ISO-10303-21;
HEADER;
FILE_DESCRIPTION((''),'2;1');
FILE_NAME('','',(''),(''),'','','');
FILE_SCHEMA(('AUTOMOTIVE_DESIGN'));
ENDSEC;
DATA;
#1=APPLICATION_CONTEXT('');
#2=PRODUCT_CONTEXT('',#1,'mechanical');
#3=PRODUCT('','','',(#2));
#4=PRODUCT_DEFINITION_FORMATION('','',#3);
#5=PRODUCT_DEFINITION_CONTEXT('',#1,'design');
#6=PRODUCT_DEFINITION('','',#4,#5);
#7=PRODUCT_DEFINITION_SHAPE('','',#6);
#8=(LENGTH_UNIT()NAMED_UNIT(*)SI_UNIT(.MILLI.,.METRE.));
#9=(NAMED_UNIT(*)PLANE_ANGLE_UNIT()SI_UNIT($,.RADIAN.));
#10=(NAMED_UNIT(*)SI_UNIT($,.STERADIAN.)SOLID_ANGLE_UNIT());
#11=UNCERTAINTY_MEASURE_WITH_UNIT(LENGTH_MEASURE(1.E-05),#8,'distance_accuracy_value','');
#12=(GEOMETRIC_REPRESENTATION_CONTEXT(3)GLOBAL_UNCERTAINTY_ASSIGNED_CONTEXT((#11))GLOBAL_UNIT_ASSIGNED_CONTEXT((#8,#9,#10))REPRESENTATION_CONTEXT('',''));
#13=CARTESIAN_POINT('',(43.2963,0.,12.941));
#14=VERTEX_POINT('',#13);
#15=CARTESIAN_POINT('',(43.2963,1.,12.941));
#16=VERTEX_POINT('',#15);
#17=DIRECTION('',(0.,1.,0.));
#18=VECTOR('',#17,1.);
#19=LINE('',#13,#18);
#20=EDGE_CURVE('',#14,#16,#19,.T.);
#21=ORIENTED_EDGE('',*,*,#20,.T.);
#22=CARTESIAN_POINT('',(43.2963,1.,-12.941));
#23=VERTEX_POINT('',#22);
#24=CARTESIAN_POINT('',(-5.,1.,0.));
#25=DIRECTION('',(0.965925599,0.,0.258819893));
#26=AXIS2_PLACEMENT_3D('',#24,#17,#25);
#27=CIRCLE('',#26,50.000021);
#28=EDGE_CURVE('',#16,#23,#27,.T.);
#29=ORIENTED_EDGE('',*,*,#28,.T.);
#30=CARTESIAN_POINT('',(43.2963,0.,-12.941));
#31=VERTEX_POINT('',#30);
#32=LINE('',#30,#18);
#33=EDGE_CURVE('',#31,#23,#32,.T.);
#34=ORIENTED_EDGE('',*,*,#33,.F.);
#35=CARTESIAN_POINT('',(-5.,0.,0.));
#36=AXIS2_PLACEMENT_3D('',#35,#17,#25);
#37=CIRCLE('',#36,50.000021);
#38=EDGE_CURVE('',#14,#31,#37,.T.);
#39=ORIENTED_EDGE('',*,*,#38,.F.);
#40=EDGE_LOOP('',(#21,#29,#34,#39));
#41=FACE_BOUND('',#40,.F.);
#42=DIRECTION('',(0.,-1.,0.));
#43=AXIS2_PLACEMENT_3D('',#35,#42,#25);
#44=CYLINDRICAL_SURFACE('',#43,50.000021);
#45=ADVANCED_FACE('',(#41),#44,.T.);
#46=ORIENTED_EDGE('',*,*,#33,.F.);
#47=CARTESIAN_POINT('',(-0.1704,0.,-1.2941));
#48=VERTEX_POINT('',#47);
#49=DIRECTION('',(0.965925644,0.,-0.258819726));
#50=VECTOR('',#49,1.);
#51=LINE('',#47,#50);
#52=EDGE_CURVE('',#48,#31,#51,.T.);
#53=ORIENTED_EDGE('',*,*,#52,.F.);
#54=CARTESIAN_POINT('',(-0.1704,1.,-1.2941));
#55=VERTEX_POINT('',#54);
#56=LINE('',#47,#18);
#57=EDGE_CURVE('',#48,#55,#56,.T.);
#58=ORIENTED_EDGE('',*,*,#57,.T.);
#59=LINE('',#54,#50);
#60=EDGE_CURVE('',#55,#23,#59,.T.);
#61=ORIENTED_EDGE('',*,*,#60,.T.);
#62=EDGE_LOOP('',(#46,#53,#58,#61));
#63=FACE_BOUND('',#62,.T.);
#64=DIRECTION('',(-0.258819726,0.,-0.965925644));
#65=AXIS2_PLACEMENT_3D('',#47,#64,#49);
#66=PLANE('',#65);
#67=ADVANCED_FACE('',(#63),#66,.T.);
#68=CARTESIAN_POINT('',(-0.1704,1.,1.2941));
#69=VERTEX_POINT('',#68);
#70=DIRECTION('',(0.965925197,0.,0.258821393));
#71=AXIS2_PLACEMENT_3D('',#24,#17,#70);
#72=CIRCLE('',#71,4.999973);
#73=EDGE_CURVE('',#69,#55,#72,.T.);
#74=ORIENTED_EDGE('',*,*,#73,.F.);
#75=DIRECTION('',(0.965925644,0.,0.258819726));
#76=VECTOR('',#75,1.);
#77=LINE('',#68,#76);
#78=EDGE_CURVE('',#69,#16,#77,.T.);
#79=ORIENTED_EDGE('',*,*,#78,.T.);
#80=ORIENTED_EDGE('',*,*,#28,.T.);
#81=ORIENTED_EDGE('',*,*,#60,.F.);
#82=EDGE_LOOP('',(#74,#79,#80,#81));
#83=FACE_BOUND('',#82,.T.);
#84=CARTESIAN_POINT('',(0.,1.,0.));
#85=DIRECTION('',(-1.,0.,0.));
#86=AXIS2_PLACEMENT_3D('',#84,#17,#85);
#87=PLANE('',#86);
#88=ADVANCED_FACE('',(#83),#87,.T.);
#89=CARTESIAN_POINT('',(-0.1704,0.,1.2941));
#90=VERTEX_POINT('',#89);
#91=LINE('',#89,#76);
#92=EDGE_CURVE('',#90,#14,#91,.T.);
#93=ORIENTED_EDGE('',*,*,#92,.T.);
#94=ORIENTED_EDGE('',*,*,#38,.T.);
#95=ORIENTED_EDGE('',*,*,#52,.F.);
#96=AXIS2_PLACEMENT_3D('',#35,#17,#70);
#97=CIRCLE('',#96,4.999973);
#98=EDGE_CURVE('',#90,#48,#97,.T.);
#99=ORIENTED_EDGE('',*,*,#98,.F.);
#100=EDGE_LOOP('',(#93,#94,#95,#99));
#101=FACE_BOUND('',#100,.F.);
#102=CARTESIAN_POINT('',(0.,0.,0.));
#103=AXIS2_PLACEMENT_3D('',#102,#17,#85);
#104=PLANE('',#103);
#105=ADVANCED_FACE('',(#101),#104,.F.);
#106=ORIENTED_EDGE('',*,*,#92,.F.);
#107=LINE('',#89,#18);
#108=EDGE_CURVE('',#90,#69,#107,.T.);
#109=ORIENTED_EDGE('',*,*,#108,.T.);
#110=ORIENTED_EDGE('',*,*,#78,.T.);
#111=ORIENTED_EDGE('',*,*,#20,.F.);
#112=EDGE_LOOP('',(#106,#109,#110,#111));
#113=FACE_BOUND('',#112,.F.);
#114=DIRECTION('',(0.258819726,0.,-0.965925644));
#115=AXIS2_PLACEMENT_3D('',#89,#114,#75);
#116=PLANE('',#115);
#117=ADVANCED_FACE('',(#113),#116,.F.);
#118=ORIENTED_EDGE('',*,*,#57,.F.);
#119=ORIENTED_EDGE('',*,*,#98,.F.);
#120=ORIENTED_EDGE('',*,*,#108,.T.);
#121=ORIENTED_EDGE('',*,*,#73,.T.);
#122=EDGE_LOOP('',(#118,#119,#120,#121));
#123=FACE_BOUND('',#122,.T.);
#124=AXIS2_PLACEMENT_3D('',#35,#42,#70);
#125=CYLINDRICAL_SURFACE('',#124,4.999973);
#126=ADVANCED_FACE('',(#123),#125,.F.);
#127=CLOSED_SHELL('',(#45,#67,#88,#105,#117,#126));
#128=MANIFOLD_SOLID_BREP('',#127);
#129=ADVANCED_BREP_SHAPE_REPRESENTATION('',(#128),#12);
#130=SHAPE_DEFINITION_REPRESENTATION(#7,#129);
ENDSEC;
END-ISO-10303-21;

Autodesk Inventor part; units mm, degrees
ref_plane "YZ Plane" through (0, 0, 0) normal (1, 0, 0) x (0, 1, 0)
ref_plane "XZ Plane" through (0, 0, 0) normal (0, 1, 0) x (-1, 0, 0)
ref_plane "XY Plane" through (0, 0, 0) normal (0, 0, 1) x (1, 0, 0)
sketch "Sketch3" plane through (0, 0, 0) normal (0, 1, 0) x (-1, 0, 0)
  arc A0 (0.1704, 1.2941) -> (0.1704, -1.2941) centre (5, 0) ccw
  arc A1 (-43.2963, 12.941) -> (-43.2963, -12.941) centre (5, 0) ccw
  line L0 (0.1704, -1.2941) -> (-43.2963, -12.941)
  line L1 (0.1704, 1.2941) -> (-43.2963, 12.941)
  point P0 (0, 0)
  point P1 (0, 0)
  dimension "d6" = 5
  dimension "d7" = 50
  dimension "d8" = 0
  dimension "d9" = 0
extrude "Extrusion2" add sketch "Sketch3" along normal blind 1
properties part number "PTFE_Cut_Guide"
